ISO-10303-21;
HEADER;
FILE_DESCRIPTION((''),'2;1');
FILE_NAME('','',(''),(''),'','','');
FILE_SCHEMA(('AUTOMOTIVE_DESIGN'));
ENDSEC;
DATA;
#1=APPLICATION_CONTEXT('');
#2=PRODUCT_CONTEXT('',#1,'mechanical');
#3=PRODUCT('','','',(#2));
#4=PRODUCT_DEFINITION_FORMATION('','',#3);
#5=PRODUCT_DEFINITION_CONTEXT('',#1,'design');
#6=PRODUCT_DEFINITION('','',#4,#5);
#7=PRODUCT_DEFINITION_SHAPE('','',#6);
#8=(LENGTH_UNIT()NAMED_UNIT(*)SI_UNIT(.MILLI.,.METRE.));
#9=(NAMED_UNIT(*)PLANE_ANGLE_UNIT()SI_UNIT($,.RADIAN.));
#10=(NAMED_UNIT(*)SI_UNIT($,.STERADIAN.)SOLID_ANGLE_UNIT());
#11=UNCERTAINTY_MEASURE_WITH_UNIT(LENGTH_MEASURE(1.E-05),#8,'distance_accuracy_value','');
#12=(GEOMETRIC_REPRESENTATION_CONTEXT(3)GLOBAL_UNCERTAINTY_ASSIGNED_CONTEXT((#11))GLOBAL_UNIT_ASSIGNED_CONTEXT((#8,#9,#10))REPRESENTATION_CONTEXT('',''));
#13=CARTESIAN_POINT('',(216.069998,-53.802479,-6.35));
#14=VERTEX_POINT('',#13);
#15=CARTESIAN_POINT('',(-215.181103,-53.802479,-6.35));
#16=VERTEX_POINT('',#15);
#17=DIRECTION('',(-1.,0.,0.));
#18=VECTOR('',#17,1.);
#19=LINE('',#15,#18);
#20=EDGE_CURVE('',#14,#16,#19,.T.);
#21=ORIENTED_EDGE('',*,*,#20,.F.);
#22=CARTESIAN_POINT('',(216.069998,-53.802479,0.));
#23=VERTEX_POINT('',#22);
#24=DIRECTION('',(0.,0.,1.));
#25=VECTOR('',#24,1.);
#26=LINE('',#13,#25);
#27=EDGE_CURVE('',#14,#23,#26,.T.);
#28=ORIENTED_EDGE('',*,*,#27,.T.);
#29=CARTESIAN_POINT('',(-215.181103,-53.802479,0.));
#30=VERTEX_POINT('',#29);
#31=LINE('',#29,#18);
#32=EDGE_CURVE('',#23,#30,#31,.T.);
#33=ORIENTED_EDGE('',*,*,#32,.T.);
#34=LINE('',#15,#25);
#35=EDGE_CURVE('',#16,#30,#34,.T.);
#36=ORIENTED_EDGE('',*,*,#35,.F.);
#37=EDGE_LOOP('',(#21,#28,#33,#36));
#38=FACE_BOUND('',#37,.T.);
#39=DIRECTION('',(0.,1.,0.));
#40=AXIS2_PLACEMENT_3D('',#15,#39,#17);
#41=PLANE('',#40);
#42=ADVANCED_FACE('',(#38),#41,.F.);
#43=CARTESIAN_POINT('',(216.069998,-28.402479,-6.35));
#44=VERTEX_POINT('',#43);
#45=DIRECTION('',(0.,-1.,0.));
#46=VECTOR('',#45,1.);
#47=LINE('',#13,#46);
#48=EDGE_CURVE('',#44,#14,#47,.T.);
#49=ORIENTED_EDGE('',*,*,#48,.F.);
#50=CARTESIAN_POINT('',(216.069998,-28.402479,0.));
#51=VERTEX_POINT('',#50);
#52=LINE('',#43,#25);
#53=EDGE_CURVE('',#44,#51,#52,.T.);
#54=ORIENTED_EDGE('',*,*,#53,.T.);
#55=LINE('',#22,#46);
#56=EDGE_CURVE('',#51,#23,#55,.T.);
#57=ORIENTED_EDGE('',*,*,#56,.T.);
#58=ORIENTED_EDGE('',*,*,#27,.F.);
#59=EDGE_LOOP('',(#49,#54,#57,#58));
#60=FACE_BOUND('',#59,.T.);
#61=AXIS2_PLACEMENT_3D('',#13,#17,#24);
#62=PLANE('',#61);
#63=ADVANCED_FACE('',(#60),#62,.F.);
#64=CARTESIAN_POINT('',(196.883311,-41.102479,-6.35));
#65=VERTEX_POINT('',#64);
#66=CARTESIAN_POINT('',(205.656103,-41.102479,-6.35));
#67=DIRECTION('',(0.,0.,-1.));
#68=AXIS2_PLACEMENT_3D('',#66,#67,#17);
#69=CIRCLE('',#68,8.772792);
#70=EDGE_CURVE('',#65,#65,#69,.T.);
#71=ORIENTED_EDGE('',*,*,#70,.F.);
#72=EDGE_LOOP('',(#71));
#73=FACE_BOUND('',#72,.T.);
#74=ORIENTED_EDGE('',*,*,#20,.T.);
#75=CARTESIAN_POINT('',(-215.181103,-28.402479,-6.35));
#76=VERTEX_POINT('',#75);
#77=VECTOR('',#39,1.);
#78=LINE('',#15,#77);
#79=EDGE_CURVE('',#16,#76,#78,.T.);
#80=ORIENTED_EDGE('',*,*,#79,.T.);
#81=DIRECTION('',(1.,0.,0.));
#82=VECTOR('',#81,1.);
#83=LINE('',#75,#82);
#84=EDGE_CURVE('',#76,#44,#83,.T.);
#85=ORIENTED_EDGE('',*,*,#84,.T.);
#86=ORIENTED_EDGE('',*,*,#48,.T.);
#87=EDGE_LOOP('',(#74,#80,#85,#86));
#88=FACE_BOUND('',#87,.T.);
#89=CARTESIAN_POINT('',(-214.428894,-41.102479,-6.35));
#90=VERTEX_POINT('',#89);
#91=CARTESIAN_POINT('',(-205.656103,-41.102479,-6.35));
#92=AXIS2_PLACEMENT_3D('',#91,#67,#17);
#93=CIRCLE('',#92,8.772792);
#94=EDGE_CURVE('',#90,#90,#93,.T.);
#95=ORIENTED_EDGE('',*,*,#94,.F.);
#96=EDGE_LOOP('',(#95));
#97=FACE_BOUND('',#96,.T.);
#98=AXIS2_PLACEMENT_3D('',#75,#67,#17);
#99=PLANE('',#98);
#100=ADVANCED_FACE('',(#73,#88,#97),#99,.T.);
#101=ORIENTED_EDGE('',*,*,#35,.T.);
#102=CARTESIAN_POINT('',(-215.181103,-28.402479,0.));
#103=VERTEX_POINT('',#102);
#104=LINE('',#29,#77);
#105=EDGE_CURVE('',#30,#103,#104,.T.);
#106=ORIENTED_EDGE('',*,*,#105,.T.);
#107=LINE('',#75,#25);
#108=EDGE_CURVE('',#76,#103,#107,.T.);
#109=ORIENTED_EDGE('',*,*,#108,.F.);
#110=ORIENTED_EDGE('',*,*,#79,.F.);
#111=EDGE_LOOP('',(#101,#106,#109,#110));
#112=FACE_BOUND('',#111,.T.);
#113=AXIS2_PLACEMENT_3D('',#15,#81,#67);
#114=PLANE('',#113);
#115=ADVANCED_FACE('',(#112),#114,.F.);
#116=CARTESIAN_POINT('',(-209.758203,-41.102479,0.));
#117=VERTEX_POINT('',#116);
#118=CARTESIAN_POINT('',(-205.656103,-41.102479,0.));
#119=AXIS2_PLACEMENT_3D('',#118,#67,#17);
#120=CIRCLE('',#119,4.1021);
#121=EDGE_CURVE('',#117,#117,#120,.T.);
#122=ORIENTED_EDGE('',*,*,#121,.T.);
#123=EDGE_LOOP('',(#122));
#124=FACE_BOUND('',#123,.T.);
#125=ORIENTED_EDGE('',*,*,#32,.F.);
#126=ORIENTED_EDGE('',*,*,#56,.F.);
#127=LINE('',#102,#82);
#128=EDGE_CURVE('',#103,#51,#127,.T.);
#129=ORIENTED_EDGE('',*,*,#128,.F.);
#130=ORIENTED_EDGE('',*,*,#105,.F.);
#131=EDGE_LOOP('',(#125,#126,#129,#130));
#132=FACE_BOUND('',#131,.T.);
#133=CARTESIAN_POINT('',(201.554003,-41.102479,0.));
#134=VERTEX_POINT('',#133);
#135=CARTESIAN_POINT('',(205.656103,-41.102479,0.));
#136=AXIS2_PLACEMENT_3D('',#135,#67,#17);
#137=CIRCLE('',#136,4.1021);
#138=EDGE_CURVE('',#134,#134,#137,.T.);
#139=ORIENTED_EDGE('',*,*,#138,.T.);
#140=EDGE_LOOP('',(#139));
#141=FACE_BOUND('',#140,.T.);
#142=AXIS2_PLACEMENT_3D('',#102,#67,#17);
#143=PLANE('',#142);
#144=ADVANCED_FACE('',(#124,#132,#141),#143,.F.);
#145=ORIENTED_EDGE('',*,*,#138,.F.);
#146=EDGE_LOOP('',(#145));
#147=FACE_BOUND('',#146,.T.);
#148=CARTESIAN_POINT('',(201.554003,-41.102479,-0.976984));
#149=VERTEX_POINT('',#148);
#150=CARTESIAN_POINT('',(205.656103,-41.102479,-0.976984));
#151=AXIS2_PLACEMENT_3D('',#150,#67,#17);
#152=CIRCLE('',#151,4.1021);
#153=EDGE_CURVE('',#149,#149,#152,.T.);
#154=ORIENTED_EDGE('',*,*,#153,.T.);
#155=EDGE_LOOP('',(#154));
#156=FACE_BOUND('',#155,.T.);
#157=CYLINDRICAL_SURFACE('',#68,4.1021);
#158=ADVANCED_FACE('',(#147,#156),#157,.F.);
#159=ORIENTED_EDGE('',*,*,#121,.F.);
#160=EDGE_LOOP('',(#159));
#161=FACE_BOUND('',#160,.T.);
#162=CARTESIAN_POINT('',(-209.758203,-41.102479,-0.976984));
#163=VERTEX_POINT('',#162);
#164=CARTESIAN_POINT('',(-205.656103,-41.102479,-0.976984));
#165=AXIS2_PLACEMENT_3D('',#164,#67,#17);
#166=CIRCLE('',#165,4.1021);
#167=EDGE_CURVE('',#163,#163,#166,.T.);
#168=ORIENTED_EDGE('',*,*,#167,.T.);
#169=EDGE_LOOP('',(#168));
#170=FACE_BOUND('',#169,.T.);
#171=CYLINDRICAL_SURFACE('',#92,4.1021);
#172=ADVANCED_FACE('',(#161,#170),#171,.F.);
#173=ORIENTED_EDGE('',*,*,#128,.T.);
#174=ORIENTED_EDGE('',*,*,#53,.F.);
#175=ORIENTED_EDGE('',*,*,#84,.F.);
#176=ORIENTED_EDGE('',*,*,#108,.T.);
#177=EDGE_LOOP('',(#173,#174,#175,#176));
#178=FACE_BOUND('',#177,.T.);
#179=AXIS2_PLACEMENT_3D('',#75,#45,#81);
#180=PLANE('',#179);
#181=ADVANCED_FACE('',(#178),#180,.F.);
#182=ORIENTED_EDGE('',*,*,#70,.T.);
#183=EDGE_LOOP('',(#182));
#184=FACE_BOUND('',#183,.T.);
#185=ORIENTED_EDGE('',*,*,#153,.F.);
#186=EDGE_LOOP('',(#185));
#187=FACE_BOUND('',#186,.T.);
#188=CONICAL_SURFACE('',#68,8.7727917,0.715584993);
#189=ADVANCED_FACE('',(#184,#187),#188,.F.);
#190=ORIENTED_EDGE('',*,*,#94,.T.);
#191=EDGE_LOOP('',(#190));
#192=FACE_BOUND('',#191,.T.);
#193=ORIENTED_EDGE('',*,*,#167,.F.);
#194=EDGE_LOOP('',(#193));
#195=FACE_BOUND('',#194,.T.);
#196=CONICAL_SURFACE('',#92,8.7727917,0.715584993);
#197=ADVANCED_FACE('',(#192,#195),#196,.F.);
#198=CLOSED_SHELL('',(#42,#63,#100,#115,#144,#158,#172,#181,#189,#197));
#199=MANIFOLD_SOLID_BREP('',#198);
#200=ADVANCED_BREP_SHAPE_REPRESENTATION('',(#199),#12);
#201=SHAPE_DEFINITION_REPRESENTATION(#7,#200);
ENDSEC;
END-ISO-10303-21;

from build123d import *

# Parameters (mm, degrees)
SKETCH3_W                                    = 431.251100871
SKETCH3_H                                    = 25.4
EXTRUDE1_DEPTH                               = 6.35
CSK_FOR_5_16_FLAT_HEAD_SOCKET_CAP_SC_2_COUNT = 2
CSK_FOR_5_16_FLAT_HEAD_SOCKET_CAP_SC_2_PITCH = 411.312205256


with BuildPart() as part:
    # Sketch3 → Extrude1 (new body)
    with BuildSketch(Plane(origin=(0, 0, 0), x_dir=(-1, 0, 0), z_dir=(0, 0, -1))):
        with Locations((-0.444447807, -41.102479446)):
            Rectangle(SKETCH3_W, SKETCH3_H)
    extrude(amount=EXTRUDE1_DEPTH)

    # Sketch4 → CSK for 5/16 Flat Head Socket Cap Screw1 (revolve, cut)
    with BuildSketch(Plane(origin=(205.656102628, -41.102479446, -6.35), x_dir=(0, 1, 0), z_dir=(1, 0, 0))):
        Polygon((0, 0), (0, 6.35), (4.1021, 6.35), (4.1021, 5.373016172), (8.7727917, 0), align=None)
    csk_for_5_16_flat_head_socket_cap_screw1 = revolve(axis=Axis((205.656102628, -41.102479446, -12.7), (0, 0, 1)), mode=Mode.SUBTRACT)

    # CSK for 5_16 Flat Head Socket Cap Sc 2: CSK for 5/16 Flat Head Socket Cap Screw1 ×2
    with Locations(*[(-i * CSK_FOR_5_16_FLAT_HEAD_SOCKET_CAP_SC_2_PITCH, 0, 0) for i in range(1, CSK_FOR_5_16_FLAT_HEAD_SOCKET_CAP_SC_2_COUNT)]):
        add(csk_for_5_16_flat_head_socket_cap_screw1, mode=Mode.SUBTRACT)


solid = part.part
